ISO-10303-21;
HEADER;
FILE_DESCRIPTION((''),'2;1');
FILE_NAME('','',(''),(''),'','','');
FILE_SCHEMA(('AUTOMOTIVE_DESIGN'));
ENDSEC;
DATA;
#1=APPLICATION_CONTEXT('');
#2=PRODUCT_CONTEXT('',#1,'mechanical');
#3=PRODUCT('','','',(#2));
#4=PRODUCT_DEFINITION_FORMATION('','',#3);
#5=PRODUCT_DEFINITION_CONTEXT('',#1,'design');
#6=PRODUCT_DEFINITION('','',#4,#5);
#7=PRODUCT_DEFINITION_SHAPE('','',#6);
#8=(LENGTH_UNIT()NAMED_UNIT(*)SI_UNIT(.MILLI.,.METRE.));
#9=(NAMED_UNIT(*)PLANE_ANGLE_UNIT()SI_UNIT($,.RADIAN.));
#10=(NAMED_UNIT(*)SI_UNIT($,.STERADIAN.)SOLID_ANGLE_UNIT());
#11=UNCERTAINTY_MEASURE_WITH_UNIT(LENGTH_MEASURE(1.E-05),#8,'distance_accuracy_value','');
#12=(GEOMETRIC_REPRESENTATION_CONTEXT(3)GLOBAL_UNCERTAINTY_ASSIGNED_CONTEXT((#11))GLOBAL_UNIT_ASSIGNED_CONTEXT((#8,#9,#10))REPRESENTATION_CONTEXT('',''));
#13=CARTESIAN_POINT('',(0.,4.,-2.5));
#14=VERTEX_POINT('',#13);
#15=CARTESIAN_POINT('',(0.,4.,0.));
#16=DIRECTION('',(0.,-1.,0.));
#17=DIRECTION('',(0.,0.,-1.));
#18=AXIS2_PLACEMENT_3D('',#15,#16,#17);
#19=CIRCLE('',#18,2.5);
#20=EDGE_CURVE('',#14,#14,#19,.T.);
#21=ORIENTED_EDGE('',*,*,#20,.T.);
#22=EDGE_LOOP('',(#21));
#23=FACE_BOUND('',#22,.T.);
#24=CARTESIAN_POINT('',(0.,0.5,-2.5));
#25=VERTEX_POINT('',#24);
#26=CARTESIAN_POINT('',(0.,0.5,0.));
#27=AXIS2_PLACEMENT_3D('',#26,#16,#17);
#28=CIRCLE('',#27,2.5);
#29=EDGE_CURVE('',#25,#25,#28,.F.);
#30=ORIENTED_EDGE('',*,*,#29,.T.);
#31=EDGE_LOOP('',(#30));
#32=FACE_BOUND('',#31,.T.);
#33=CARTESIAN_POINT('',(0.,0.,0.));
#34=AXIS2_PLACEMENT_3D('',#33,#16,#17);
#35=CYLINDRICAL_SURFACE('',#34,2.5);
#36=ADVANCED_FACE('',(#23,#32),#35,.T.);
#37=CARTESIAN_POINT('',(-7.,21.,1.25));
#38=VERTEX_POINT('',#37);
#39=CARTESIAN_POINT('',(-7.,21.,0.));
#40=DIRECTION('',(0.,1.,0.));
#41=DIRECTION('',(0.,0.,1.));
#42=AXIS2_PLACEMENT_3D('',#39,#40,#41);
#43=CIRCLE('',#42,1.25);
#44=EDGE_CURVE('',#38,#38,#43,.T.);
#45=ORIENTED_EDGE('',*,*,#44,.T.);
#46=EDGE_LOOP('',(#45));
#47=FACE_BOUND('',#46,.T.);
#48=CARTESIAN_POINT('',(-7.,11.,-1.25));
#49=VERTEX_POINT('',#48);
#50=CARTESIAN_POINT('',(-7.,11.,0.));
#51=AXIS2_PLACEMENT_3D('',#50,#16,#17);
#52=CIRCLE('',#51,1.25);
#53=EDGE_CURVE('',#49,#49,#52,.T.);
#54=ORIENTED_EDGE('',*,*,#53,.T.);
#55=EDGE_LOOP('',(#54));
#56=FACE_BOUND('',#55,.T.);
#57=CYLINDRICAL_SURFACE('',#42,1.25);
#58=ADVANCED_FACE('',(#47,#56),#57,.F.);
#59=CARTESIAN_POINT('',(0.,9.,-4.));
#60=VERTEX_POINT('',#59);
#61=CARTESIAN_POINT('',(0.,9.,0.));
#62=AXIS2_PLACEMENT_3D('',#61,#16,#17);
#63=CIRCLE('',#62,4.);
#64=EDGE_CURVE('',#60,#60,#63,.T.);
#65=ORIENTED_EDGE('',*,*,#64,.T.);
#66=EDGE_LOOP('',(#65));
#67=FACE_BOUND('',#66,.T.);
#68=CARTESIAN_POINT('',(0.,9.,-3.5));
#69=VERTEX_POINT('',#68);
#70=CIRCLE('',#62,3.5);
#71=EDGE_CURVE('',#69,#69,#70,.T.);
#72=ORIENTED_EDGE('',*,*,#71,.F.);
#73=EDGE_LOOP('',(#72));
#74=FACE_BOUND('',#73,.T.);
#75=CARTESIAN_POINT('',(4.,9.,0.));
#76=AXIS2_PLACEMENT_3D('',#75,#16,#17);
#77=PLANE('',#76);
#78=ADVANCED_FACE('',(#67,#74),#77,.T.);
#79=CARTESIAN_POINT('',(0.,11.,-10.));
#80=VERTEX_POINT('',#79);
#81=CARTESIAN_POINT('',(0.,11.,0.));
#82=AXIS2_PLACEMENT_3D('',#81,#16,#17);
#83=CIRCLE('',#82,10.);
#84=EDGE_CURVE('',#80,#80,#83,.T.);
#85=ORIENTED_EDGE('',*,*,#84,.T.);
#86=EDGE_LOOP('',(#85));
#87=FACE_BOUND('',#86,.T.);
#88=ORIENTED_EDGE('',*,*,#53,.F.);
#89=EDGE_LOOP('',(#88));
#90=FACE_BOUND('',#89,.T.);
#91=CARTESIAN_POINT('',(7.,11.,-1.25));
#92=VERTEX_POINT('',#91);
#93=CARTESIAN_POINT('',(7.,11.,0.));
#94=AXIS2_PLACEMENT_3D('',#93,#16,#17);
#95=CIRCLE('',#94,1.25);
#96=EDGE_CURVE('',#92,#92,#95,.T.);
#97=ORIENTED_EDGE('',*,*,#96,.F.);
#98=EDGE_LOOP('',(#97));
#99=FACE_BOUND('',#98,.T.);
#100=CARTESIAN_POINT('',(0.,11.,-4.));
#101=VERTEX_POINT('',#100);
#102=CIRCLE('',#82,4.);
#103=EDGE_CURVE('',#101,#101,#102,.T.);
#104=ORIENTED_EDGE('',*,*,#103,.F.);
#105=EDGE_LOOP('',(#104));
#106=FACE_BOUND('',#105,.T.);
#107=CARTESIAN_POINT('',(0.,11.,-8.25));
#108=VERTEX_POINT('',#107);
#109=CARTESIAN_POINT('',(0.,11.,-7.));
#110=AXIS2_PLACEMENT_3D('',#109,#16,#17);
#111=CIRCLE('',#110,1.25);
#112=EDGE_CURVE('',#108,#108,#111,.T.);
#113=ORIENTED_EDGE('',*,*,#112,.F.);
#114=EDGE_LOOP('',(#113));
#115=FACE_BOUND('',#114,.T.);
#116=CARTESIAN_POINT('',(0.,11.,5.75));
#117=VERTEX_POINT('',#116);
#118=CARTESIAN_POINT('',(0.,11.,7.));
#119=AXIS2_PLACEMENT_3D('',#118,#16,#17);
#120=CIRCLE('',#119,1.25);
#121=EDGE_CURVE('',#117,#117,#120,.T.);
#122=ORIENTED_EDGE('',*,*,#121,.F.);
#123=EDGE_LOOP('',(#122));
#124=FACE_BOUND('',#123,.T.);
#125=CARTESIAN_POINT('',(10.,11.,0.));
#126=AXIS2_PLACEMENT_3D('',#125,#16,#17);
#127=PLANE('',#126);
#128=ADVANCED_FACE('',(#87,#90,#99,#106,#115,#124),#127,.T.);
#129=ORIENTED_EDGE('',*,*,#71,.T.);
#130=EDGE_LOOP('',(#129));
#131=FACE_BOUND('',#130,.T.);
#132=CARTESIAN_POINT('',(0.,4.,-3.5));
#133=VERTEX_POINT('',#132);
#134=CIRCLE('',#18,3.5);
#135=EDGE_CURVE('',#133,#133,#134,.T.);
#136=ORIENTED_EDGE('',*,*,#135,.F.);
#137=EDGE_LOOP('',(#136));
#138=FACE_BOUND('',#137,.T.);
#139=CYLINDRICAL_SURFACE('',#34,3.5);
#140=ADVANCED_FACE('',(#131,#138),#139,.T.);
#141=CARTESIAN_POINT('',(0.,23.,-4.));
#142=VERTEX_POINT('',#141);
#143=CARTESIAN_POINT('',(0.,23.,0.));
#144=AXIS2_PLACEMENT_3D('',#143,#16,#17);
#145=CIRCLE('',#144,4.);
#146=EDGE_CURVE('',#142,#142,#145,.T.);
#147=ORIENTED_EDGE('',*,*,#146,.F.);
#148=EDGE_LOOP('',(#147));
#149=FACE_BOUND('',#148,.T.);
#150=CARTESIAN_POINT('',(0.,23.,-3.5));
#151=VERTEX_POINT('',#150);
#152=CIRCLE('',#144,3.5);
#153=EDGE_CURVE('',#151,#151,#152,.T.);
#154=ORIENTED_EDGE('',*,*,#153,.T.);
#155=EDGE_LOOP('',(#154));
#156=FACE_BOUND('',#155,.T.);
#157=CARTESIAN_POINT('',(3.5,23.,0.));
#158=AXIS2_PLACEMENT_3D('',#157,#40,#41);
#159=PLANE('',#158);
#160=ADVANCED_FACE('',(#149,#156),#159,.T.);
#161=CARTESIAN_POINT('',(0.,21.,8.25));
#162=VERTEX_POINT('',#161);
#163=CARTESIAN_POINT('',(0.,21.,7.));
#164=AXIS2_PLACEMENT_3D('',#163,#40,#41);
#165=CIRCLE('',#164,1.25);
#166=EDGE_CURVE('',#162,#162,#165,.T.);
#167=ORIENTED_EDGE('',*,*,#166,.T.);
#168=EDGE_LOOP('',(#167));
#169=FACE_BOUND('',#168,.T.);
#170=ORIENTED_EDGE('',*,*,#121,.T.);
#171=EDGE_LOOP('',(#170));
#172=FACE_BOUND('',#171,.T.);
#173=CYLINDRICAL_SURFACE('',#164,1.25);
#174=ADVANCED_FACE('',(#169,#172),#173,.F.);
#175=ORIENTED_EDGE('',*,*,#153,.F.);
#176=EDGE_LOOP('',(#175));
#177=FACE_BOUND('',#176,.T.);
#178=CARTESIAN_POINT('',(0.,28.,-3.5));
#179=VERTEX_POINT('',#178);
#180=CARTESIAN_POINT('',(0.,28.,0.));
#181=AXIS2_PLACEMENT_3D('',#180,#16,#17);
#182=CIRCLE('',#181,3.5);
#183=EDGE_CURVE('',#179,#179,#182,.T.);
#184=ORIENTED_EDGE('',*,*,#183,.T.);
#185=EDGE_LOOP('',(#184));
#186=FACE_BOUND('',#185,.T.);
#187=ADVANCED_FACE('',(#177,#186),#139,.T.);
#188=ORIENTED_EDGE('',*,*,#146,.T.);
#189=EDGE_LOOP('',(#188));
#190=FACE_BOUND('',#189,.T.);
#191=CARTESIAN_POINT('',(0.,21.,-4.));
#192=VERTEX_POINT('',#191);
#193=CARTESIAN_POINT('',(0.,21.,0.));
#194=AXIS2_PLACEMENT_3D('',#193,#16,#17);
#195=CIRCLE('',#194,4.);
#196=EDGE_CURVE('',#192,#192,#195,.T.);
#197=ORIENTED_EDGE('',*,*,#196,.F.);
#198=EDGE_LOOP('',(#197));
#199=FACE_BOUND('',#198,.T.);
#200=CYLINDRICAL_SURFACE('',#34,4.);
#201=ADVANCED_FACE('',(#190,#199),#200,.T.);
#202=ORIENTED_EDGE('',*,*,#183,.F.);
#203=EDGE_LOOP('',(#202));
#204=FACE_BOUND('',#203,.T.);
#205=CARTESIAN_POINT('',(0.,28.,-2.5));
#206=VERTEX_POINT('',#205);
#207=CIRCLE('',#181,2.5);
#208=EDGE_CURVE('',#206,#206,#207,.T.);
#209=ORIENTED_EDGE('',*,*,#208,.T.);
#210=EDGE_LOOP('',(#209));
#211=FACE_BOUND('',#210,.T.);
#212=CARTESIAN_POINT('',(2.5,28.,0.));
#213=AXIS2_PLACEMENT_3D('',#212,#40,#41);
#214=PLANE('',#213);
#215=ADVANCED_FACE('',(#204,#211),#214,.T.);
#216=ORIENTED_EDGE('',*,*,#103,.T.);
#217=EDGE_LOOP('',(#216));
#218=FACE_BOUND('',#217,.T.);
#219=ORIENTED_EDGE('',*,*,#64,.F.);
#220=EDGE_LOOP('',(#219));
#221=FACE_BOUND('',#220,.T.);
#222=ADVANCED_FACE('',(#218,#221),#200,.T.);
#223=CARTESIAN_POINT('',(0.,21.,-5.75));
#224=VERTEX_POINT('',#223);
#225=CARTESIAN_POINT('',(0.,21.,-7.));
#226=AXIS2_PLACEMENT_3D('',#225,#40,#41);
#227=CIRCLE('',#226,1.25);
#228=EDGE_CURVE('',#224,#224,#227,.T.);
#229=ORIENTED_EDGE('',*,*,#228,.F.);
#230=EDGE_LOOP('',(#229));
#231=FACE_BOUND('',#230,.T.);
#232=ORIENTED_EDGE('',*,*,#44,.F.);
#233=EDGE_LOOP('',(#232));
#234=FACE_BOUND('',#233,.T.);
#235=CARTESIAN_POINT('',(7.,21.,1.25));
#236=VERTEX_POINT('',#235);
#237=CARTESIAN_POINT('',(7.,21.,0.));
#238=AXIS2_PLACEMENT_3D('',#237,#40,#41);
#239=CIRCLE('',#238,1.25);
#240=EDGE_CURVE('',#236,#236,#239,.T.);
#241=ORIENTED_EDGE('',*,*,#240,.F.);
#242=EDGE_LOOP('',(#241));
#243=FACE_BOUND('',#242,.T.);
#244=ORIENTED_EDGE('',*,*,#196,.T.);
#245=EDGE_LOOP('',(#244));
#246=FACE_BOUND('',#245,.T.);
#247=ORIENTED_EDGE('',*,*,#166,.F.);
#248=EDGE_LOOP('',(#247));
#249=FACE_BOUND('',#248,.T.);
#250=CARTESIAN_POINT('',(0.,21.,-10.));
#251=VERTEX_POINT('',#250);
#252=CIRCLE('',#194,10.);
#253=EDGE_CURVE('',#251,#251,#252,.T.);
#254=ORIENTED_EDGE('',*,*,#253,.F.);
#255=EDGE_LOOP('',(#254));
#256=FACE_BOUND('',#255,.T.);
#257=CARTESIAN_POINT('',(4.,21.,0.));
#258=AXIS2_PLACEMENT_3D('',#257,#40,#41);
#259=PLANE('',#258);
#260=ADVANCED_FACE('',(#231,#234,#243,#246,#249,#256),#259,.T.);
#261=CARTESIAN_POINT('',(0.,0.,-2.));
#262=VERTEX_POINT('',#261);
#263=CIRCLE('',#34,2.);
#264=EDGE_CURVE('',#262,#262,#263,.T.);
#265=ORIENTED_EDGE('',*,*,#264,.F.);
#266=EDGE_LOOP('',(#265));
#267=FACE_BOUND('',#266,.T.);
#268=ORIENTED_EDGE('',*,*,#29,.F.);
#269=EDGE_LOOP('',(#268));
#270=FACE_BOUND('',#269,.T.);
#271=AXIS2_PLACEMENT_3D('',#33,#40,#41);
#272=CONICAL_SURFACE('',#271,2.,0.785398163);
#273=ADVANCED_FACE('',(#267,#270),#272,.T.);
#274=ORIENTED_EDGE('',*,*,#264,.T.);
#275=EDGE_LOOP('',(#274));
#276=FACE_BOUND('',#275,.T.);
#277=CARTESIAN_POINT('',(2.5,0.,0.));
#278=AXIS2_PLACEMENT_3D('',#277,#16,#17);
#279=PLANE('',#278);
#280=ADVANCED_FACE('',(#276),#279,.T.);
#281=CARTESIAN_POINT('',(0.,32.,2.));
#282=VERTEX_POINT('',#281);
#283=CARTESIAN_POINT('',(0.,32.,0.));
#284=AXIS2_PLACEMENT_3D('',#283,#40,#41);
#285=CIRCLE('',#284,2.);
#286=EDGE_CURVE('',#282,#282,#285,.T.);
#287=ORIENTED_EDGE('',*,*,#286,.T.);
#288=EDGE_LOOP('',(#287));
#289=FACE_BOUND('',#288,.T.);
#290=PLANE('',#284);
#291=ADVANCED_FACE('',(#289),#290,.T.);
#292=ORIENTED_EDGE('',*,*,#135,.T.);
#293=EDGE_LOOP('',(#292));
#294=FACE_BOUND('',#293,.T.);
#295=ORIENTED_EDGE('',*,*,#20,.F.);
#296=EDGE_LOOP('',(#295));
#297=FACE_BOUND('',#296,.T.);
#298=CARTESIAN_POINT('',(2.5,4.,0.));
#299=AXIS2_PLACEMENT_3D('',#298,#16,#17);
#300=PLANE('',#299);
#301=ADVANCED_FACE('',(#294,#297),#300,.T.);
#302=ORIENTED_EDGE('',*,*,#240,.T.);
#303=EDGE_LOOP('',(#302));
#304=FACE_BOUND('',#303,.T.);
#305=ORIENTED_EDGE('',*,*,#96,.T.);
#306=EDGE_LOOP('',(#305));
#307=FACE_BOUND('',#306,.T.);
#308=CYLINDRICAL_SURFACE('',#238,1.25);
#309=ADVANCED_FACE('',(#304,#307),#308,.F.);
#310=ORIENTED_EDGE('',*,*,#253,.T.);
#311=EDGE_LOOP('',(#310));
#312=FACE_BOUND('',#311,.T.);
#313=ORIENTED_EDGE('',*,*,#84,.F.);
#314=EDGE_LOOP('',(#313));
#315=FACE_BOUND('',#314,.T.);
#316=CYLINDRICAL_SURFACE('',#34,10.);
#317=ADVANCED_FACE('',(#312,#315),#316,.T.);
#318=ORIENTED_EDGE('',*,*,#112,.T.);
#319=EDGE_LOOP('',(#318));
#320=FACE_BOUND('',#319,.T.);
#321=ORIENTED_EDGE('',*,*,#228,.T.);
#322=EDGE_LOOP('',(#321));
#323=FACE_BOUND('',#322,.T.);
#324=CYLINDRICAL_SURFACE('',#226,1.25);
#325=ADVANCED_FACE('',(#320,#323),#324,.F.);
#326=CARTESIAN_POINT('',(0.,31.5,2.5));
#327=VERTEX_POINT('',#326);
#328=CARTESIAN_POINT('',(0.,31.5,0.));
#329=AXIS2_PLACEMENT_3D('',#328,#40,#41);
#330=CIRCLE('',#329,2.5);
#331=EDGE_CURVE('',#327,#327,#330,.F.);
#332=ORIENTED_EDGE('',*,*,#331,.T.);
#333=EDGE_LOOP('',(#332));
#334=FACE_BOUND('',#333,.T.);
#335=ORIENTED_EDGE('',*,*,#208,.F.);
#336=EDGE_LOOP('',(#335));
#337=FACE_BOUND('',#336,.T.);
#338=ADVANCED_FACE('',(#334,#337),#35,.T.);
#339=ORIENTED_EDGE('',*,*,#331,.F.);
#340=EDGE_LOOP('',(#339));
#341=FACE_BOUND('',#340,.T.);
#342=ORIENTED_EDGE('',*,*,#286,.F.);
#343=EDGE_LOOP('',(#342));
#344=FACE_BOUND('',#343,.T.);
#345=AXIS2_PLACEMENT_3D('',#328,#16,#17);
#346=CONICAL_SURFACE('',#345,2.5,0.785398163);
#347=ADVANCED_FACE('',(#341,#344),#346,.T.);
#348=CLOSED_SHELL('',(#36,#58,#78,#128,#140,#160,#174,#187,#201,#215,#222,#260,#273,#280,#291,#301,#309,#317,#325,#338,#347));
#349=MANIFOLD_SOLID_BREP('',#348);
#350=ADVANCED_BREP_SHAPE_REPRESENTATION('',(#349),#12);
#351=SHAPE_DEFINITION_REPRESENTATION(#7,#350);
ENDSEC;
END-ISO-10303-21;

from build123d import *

# Parameters (mm, degrees)
HOLE_WIZARD_M3_1_D = 2.5
CHAMFER_1_SIZE     = 0.5


with BuildPart() as part:
    # 草图1 → 旋转1 (revolve)
    with BuildSketch(Plane.XY, mode=Mode.PRIVATE) as revolve_1_sk:
        Polygon((0, 0), (0, 32), (2.5, 32), (2.5, 28), (3.5, 28), (3.5, 23), (4, 23), (4, 21), (10, 21), (10, 11), (4, 11), (4, 9), (3.5, 9), (3.5, 4), (2.5, 4), (2.5, 0), align=None)
    revolve(revolve_1_sk.sketch.rotate(Axis((0, 0, 0), (0, 1, 0)), 90), axis=Axis((0, 0, 0), (0, 1, 0)))

    # M3 螺纹孔1 (through all)
    with Locations(Plane(origin=(0, 21, 0), x_dir=(1, 0, 0), z_dir=(0, 1, 0))):
        with Locations((0, 7), (7, 0), (0, -7), (-7, 0)):
            Hole(HOLE_WIZARD_M3_1_D / 2)

    # 倒角1
    chamfer_1_edges = [part.edges().sort_by_distance(p)[0] for p in [
        (0, 0, 2.5),
        (0, 32, 2.5),
    ]]
    chamfer(chamfer_1_edges, length=CHAMFER_1_SIZE)


solid = part.part
